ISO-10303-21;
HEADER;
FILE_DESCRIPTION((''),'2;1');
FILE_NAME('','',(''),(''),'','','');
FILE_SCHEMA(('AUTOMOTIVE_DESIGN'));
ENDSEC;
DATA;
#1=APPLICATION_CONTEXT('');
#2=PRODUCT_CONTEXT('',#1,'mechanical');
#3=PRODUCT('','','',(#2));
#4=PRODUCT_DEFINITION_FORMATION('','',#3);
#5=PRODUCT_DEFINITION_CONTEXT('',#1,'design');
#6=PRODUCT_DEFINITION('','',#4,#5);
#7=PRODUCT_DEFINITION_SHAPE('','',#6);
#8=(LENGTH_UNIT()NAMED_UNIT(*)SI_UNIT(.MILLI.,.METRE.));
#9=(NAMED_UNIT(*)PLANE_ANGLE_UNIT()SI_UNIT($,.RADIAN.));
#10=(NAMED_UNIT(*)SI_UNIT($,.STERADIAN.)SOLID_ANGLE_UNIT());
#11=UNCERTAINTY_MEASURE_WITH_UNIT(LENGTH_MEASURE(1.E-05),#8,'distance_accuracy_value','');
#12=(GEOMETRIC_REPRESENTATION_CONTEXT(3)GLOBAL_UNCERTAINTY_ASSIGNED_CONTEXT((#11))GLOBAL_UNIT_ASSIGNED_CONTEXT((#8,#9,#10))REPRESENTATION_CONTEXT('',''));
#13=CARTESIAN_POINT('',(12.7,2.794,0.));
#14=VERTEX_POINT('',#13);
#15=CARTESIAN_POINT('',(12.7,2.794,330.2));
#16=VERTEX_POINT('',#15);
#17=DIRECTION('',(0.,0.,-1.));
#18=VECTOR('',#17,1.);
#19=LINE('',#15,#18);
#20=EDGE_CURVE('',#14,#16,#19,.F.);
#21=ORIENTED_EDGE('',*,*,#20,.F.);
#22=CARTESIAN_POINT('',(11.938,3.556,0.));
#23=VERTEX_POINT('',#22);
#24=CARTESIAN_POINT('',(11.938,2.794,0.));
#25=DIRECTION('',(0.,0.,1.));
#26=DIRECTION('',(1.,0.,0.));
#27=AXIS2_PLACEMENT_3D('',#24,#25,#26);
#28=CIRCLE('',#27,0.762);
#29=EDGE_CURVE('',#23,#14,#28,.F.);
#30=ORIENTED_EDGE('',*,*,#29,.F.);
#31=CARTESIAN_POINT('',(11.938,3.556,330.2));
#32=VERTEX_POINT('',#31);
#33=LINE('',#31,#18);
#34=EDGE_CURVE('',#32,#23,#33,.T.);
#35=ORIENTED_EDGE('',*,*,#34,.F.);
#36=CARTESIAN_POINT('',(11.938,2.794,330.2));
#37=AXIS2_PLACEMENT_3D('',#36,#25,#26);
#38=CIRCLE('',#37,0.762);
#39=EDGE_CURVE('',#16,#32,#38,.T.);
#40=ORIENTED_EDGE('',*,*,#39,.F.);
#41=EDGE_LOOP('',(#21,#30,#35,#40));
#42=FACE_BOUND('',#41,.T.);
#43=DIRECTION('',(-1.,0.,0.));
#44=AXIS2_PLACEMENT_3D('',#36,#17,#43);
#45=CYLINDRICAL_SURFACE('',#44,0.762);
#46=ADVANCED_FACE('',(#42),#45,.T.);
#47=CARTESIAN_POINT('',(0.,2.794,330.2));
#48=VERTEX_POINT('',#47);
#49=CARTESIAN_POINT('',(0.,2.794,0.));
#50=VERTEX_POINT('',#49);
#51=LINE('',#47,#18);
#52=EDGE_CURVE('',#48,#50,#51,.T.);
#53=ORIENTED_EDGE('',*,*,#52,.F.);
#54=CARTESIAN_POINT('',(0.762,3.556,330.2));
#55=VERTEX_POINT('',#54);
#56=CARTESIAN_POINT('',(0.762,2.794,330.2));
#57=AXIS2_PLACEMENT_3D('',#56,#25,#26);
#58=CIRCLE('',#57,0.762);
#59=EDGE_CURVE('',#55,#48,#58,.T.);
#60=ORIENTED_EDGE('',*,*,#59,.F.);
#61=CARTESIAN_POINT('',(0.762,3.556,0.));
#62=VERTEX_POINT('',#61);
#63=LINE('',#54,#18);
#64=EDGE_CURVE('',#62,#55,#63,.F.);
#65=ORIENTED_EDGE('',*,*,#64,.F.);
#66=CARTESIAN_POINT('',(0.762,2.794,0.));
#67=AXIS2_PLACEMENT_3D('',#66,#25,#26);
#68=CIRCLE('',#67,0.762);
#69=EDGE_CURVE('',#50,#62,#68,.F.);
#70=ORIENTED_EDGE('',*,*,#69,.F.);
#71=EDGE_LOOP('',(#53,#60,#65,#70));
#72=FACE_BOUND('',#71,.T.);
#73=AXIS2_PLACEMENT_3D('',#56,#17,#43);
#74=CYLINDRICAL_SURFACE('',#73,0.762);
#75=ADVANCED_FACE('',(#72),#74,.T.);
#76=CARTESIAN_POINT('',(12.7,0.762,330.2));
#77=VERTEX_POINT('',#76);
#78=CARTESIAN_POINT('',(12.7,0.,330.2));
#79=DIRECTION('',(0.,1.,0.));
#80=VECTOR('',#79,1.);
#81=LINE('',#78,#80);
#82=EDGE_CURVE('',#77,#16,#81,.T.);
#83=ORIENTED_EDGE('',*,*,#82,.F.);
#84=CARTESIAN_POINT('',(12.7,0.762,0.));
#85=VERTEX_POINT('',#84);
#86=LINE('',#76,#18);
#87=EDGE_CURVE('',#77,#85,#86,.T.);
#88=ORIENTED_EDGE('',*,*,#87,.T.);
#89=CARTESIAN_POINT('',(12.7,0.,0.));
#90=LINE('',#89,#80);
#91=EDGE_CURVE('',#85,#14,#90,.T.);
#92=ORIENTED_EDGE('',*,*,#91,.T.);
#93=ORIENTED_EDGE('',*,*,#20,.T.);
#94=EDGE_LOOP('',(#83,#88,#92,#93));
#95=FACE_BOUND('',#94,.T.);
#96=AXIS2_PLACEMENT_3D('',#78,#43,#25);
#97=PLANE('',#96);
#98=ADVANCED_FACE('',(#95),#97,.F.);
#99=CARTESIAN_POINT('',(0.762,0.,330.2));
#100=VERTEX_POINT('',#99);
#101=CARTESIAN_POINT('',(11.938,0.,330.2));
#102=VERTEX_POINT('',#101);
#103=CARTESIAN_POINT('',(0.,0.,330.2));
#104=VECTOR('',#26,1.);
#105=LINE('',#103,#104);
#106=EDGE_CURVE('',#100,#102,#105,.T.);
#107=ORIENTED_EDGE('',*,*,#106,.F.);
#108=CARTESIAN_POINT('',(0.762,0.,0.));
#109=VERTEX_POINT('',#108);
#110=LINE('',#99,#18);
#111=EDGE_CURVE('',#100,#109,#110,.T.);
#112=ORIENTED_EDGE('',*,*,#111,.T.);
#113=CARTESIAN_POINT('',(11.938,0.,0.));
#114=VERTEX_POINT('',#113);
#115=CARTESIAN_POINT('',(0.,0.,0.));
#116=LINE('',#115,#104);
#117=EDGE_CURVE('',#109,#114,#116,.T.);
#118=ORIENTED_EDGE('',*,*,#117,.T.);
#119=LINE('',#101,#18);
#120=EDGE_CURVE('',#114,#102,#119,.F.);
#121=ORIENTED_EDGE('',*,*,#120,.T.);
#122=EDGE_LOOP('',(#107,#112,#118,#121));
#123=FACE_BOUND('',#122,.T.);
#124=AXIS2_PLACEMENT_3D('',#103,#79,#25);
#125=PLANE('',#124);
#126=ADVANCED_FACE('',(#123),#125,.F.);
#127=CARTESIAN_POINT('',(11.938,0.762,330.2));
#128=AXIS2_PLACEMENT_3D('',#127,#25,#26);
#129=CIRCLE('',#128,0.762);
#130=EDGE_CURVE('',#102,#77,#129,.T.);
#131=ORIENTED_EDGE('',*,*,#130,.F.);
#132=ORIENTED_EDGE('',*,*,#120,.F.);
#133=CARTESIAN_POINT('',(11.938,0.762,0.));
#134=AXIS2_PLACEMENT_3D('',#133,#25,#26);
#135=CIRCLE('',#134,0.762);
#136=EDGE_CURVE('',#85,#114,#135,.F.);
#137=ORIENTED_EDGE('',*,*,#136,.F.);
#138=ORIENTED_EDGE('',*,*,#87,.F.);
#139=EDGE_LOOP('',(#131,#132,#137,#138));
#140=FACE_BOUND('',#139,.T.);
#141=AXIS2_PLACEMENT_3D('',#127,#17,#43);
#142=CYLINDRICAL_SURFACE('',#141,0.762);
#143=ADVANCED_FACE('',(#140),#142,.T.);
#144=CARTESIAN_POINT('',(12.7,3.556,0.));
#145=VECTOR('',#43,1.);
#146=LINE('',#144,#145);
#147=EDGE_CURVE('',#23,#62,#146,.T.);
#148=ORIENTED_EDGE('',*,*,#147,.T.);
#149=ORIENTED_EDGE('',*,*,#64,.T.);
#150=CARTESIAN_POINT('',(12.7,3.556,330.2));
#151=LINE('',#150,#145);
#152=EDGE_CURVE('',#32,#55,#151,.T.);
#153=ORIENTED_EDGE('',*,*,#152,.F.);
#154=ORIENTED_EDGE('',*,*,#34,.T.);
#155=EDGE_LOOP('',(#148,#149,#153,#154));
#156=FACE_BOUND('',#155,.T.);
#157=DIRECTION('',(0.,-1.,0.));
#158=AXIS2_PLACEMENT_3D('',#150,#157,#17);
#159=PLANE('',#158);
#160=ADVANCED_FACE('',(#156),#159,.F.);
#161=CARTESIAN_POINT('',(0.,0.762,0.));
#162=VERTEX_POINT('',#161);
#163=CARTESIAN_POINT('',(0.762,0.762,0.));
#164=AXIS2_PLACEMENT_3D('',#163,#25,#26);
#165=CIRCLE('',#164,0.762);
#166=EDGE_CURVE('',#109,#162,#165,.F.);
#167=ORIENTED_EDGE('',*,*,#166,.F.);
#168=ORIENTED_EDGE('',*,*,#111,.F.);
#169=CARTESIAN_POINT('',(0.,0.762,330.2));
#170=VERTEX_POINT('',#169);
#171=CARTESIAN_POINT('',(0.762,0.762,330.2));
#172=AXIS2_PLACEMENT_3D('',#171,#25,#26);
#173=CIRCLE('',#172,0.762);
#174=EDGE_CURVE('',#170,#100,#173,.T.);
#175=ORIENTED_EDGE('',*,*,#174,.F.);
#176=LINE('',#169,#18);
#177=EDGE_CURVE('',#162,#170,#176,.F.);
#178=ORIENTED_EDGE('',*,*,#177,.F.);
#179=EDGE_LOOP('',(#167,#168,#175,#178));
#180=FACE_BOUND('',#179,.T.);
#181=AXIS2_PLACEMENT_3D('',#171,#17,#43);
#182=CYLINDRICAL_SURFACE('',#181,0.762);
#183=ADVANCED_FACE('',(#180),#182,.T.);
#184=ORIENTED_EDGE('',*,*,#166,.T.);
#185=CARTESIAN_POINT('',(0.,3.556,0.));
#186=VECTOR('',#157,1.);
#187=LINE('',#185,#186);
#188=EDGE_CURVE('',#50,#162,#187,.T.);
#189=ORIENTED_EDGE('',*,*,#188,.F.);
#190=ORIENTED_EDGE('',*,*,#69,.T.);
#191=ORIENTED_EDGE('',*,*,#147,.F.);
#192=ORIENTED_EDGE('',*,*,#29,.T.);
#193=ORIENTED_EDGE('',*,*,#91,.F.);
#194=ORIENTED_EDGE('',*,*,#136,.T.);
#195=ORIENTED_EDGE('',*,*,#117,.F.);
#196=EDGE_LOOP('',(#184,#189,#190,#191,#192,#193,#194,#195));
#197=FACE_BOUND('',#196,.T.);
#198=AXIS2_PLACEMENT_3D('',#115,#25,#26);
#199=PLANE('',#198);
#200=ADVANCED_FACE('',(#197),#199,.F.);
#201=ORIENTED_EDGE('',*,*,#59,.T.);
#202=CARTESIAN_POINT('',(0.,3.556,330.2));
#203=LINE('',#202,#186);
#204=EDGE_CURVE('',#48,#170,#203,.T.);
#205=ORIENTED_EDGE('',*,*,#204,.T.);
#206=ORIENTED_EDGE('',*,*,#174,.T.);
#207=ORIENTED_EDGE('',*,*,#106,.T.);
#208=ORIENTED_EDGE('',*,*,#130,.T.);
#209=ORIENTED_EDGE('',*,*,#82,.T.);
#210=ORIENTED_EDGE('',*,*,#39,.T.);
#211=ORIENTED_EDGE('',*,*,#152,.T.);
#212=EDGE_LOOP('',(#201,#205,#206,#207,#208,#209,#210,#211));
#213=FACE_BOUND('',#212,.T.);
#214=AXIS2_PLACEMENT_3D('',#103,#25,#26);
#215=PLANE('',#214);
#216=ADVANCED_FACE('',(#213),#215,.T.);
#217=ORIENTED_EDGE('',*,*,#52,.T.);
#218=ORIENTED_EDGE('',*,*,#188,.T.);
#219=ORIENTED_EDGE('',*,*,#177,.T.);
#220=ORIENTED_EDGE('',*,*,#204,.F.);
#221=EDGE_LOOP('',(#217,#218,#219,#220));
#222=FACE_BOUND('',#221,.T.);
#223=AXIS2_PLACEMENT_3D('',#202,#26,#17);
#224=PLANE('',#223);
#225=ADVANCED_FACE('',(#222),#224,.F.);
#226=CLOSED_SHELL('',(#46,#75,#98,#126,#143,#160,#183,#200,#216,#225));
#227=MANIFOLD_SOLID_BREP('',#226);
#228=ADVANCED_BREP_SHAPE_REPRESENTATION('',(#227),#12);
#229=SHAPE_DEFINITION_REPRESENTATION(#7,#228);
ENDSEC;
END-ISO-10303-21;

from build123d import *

# Parameters (mm, degrees)
SKETCH2_W           = 12.7
SKETCH2_H           = 3.556
BOSS_EXTRUDE1_DEPTH = 330.2
FILLET1_R           = 0.762


with BuildPart() as part:
    # Sketch2 → Boss-Extrude1 (new body)
    with BuildSketch(Plane.XY):
        with Locations((6.35, 1.778)):
            Rectangle(SKETCH2_W, SKETCH2_H)
    extrude(amount=BOSS_EXTRUDE1_DEPTH)

    # Fillet1
    fillet1_edges = [part.edges().sort_by_distance(p)[0] for p in [
        (0, 3.556, 165.1),
        (12.7, 3.556, 165.1),
        (12.7, 0, 165.1),
        (0, 0, 165.1),
    ]]
    fillet(fillet1_edges, radius=FILLET1_R)


solid = part.part
